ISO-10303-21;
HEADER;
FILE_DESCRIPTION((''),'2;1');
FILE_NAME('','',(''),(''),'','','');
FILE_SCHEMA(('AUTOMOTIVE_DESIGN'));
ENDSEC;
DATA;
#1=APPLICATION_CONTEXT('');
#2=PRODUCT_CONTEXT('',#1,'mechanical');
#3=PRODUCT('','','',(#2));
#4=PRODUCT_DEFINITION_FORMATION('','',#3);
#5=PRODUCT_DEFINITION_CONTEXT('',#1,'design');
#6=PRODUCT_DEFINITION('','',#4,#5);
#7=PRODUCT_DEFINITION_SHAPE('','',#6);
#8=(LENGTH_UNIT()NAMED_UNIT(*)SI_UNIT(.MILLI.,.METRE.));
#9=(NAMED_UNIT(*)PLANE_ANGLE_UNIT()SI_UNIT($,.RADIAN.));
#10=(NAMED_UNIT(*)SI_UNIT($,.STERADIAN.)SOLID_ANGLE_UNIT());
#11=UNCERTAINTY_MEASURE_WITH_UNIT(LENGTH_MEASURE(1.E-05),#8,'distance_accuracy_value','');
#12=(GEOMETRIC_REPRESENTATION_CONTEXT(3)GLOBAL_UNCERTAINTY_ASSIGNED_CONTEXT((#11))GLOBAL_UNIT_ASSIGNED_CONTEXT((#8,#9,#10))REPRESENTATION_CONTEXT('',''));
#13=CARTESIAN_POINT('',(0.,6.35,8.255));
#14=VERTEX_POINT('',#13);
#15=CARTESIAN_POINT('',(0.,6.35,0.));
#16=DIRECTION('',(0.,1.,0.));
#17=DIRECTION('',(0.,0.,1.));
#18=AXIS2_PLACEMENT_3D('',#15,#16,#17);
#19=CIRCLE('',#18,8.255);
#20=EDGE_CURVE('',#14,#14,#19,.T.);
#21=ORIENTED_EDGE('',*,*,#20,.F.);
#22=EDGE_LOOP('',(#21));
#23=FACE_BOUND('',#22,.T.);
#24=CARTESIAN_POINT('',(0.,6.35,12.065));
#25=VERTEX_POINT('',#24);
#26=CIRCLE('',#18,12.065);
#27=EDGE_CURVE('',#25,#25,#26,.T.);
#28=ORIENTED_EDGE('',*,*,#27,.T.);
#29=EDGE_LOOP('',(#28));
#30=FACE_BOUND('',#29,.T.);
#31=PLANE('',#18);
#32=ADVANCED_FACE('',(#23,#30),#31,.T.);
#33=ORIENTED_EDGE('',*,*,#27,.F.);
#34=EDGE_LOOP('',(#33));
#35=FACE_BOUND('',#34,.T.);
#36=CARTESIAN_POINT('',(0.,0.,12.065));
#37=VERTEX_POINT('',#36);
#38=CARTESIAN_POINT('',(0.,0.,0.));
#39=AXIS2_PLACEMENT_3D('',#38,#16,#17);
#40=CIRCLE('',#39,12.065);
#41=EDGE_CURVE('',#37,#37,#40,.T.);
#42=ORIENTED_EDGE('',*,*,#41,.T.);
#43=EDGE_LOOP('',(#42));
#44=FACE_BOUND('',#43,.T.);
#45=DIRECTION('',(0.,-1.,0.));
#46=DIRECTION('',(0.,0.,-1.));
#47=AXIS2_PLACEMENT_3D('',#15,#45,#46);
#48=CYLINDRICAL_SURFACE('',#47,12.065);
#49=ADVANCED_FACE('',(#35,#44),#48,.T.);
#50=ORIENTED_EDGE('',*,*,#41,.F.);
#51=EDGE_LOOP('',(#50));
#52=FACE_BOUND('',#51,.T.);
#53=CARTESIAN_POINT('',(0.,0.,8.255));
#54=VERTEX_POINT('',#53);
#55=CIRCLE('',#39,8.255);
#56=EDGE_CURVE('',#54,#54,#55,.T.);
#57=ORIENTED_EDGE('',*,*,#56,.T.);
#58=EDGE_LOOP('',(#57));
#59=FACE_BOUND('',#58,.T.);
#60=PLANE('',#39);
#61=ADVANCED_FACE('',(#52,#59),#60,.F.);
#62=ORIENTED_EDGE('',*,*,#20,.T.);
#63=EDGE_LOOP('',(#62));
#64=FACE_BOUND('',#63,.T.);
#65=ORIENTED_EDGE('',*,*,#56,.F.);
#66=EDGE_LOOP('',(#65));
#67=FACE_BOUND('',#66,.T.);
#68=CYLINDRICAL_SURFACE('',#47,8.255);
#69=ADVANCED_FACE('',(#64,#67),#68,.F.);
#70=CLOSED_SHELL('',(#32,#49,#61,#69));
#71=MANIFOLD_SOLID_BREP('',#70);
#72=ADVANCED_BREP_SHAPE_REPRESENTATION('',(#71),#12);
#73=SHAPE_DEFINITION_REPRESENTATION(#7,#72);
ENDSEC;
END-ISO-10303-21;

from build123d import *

# Parameters (mm, degrees)
SKETCH1_R           = 12.065
SKETCH1_R_2         = 8.255
BOSS_EXTRUDE1_DEPTH = 6.35


with BuildPart() as part:
    # Sketch1 → Boss-Extrude1 (new body)
    with BuildSketch(Plane(origin=(0, 0, 0), x_dir=(1, 0, 0), z_dir=(0, 1, 0))):
        Circle(SKETCH1_R)
        Circle(SKETCH1_R_2, mode=Mode.SUBTRACT)
    extrude(amount=BOSS_EXTRUDE1_DEPTH)


solid = part.part
